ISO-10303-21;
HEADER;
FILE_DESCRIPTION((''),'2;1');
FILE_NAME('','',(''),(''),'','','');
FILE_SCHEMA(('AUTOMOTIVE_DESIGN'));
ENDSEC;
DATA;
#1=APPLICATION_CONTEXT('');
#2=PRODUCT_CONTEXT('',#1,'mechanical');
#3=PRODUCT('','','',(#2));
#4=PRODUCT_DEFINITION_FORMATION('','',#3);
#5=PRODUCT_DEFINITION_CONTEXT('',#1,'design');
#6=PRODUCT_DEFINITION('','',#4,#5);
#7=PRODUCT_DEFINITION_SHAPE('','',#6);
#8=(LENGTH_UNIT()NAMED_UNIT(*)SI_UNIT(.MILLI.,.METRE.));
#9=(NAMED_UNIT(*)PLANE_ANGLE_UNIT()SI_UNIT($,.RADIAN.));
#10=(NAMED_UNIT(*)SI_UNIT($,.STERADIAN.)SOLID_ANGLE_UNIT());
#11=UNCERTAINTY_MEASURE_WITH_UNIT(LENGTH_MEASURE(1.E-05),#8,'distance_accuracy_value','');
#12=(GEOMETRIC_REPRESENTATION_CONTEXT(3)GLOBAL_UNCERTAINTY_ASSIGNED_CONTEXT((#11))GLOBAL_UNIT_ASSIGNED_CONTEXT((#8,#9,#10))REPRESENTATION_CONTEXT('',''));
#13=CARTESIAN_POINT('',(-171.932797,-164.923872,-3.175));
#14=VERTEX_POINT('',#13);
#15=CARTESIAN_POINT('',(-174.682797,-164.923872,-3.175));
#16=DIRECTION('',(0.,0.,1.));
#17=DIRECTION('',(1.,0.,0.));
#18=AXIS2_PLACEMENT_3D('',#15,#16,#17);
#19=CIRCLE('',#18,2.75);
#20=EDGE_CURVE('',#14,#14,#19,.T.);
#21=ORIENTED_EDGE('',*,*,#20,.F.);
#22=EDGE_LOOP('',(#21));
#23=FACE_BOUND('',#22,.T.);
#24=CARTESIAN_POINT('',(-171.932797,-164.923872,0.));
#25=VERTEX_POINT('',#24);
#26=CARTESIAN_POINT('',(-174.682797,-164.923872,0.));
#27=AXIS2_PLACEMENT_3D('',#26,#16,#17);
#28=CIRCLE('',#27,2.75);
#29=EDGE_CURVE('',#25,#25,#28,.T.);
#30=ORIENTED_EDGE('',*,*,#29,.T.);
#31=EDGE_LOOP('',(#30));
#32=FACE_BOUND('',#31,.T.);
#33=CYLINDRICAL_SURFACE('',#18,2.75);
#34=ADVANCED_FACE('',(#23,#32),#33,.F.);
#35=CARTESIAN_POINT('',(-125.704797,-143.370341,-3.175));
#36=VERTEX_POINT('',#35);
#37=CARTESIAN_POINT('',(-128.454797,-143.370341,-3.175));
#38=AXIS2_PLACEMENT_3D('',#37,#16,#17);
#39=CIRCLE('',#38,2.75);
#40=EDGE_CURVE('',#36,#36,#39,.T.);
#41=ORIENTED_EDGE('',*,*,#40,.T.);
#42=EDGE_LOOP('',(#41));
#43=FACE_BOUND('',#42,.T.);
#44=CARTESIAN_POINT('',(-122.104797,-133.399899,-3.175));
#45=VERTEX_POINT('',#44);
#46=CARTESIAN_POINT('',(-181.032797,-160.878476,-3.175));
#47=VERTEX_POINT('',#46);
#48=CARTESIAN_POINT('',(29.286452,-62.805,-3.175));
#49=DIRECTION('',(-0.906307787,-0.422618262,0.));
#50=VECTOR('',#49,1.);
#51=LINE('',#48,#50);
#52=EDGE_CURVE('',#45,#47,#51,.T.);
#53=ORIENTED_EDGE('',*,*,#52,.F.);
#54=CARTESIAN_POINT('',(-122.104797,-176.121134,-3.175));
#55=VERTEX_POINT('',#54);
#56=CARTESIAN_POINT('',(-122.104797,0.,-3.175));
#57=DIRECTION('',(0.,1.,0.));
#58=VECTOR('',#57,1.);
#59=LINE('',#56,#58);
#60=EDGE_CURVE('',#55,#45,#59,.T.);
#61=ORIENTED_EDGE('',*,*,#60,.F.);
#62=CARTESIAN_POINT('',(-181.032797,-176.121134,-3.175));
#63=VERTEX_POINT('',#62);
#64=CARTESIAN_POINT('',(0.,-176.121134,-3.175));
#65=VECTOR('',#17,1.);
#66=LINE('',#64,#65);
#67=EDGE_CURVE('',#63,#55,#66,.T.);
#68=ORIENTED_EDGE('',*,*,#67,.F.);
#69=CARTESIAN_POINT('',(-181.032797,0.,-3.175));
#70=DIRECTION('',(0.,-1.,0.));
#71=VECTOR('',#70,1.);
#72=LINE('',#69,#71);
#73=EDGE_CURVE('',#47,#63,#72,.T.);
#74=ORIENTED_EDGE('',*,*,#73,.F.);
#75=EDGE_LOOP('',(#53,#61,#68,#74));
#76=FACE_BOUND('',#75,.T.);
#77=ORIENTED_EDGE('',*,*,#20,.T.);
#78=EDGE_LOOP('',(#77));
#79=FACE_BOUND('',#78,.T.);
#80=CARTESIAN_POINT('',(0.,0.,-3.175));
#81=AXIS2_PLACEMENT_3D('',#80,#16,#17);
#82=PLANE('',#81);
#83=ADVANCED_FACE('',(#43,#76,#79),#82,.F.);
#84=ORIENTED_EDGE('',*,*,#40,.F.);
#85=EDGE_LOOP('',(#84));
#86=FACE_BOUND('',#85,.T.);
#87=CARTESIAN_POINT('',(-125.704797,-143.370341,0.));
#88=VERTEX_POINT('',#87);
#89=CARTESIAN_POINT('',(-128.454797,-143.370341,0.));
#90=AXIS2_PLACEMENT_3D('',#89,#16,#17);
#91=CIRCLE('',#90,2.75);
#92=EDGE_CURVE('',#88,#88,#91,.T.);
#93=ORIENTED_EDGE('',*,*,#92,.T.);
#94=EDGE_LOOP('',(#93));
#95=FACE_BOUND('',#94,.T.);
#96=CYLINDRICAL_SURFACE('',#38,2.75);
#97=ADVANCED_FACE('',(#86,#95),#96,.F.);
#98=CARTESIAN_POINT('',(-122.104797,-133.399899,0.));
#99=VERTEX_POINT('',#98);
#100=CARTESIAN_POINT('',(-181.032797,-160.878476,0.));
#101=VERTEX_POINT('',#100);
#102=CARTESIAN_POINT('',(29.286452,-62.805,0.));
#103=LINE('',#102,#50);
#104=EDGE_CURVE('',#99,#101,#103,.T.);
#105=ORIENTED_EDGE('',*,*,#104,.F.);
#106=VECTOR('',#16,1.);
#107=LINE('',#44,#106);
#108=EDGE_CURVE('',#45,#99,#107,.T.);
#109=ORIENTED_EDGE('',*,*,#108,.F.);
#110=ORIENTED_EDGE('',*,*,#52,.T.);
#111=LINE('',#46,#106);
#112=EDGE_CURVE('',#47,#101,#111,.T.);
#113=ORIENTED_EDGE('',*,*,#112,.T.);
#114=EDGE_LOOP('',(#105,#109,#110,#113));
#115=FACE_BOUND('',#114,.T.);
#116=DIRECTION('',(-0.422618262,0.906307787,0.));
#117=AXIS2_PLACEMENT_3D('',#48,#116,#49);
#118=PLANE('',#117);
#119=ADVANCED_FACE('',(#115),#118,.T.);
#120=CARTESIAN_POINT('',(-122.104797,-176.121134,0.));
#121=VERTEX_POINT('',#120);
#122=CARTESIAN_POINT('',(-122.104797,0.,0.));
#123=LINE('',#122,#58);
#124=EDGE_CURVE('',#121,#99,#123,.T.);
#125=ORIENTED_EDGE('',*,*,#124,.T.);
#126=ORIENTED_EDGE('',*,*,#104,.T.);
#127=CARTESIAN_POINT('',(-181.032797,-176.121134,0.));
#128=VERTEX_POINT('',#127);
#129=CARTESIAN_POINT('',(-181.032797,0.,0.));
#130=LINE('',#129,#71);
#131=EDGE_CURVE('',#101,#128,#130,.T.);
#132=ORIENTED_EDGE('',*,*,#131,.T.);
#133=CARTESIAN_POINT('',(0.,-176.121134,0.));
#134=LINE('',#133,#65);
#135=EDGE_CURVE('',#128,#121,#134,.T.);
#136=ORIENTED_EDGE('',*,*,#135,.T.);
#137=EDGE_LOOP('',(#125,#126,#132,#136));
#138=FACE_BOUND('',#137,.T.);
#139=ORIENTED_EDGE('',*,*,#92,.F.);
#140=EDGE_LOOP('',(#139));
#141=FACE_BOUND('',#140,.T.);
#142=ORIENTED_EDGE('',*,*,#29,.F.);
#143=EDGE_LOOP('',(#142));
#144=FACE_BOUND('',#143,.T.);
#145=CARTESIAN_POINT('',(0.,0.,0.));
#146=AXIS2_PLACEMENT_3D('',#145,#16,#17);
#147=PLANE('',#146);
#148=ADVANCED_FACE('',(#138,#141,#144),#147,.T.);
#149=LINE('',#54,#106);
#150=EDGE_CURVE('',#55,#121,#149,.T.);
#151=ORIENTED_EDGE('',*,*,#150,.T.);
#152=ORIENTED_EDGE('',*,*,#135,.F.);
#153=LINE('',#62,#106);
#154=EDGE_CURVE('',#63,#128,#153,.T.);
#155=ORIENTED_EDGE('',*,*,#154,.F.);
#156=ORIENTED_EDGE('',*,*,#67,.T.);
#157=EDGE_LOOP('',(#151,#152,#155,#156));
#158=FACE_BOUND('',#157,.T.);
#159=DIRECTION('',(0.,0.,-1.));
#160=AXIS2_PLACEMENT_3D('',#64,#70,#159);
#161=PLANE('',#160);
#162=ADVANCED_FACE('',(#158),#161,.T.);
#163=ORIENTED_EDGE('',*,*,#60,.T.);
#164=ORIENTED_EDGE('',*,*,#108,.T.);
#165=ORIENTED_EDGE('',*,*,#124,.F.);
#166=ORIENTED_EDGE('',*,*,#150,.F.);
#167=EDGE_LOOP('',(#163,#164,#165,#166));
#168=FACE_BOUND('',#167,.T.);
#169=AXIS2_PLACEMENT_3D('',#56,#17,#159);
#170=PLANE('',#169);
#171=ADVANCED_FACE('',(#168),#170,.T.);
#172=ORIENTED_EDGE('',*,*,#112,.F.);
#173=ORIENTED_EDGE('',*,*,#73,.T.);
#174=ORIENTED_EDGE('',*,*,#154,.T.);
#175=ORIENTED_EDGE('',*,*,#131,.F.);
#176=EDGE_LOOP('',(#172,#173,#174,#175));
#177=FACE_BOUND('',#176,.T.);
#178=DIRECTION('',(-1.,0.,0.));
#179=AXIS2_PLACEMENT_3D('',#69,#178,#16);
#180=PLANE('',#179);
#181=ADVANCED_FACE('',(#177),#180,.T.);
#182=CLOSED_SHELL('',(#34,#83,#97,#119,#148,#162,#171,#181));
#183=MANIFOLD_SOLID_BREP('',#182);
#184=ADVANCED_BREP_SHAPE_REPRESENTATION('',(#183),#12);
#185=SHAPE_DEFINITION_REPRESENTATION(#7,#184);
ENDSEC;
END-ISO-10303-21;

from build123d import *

# Parameters (mm, degrees)
SKETCH1_R           = 2.75
BOSS_EXTRUDE1_DEPTH = 3.175


with BuildPart() as part:
    # Sketch1 → Boss-Extrude1 (new body)
    with BuildSketch(Plane.XY):
        Polygon((-122.104796952, -176.121133645), (-122.104796952, -133.399898637), (-181.032796952, -160.878476317), (-181.032796952, -176.121133645), align=None)
        with Locations((-174.682796952, -164.923872473)):
            Circle(SKETCH1_R, mode=Mode.SUBTRACT)
        with Locations((-128.454796952, -143.370341124)):
            Circle(SKETCH1_R, mode=Mode.SUBTRACT)
    extrude(amount=-BOSS_EXTRUDE1_DEPTH)


solid = part.part
